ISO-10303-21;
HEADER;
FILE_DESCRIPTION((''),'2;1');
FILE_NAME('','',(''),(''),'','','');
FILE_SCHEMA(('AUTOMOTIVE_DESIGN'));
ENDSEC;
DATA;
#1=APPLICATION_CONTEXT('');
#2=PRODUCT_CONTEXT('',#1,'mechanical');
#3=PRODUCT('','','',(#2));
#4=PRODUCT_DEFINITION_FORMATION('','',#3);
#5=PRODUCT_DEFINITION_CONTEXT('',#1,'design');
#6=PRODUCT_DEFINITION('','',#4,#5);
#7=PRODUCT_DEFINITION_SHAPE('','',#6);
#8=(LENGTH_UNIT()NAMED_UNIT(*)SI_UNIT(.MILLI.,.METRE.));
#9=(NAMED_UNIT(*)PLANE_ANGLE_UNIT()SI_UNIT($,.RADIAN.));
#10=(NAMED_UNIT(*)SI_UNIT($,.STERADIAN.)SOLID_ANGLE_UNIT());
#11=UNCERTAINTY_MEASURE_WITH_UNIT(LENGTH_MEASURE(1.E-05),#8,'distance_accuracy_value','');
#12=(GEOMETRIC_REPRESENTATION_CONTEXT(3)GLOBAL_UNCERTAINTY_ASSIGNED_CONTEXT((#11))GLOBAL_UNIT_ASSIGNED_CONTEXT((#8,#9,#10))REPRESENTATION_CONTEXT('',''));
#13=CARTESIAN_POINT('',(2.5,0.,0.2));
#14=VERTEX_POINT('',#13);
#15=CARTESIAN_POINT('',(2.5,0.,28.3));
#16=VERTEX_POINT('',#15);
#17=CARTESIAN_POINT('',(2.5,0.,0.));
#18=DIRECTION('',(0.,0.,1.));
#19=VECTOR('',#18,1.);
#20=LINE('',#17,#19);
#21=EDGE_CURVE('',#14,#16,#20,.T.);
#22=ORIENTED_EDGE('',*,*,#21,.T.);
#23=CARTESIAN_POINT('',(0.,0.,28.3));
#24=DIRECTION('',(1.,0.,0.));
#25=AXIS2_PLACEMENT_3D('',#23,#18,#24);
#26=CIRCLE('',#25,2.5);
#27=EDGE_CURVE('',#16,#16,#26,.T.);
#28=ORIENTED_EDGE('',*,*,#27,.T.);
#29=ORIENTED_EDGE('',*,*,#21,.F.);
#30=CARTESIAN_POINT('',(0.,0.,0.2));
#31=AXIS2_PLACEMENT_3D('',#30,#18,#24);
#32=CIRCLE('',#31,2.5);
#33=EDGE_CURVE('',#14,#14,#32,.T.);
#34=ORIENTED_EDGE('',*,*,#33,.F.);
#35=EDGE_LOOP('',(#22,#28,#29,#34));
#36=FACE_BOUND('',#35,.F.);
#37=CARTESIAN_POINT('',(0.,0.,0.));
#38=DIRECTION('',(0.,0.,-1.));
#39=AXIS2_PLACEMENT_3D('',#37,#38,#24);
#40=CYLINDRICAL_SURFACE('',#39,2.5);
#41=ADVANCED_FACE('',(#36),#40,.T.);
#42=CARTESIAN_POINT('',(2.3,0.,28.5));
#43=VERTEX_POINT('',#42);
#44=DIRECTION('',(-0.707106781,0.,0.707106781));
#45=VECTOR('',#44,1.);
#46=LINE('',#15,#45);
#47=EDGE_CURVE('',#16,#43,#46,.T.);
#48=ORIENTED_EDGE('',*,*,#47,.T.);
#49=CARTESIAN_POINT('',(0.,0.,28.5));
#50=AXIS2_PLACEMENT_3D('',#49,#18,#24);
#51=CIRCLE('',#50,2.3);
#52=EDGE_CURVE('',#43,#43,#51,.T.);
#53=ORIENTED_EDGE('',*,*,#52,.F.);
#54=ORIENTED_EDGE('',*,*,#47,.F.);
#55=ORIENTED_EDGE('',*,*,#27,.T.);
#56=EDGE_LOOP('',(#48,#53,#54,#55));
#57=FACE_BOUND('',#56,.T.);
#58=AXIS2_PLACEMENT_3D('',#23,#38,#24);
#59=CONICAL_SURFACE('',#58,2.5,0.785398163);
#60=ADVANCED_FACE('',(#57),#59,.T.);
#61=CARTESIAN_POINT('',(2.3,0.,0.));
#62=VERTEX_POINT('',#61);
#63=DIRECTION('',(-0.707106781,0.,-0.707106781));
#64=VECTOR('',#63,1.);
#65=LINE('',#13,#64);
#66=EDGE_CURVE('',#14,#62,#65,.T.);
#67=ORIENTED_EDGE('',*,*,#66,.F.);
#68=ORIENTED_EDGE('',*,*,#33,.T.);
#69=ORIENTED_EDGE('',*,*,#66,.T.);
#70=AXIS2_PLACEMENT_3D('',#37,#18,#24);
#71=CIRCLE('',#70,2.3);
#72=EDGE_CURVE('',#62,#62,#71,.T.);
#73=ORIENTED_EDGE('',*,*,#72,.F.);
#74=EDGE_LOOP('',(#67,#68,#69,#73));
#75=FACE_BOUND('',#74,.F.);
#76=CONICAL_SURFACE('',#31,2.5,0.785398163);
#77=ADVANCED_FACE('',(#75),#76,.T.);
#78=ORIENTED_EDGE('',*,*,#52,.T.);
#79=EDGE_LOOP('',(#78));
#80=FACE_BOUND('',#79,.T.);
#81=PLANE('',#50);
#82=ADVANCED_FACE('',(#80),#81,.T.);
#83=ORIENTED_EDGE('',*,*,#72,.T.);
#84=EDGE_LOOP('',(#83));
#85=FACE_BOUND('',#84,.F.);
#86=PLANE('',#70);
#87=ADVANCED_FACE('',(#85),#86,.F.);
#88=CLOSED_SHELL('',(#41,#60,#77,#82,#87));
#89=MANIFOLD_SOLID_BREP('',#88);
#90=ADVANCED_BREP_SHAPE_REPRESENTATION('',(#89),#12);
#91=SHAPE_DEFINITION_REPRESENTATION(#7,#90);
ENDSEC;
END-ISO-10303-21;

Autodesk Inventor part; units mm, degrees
ref_plane "YZ Plane" through (0, 0, 0) normal (1, 0, 0) x (0, 1, 0)
ref_plane "XZ Plane" through (0, 0, 0) normal (0, 1, 0) x (-1, 0, 0)
ref_plane "XY Plane" through (0, 0, 0) normal (0, 0, 1) x (1, 0, 0)
sketch "Sketch1" plane through (0, 0, 0) normal (0, 0, 1) x (1, 0, 0)
  circle A0 centre (0, 0) radius 2.5
  dimension "d0" = 5
extrude "Extrusion1" add sketch "Sketch1" along normal blind 28.5
chamfer "Chamfer1" distance 0.2 angle 45 2 edges at (-2.5, 0, 28.5) (-2.5, 0, 0)
properties part number "Riemenscheibe_Welle_Tension" material "Aluminum 6061-AHC"
